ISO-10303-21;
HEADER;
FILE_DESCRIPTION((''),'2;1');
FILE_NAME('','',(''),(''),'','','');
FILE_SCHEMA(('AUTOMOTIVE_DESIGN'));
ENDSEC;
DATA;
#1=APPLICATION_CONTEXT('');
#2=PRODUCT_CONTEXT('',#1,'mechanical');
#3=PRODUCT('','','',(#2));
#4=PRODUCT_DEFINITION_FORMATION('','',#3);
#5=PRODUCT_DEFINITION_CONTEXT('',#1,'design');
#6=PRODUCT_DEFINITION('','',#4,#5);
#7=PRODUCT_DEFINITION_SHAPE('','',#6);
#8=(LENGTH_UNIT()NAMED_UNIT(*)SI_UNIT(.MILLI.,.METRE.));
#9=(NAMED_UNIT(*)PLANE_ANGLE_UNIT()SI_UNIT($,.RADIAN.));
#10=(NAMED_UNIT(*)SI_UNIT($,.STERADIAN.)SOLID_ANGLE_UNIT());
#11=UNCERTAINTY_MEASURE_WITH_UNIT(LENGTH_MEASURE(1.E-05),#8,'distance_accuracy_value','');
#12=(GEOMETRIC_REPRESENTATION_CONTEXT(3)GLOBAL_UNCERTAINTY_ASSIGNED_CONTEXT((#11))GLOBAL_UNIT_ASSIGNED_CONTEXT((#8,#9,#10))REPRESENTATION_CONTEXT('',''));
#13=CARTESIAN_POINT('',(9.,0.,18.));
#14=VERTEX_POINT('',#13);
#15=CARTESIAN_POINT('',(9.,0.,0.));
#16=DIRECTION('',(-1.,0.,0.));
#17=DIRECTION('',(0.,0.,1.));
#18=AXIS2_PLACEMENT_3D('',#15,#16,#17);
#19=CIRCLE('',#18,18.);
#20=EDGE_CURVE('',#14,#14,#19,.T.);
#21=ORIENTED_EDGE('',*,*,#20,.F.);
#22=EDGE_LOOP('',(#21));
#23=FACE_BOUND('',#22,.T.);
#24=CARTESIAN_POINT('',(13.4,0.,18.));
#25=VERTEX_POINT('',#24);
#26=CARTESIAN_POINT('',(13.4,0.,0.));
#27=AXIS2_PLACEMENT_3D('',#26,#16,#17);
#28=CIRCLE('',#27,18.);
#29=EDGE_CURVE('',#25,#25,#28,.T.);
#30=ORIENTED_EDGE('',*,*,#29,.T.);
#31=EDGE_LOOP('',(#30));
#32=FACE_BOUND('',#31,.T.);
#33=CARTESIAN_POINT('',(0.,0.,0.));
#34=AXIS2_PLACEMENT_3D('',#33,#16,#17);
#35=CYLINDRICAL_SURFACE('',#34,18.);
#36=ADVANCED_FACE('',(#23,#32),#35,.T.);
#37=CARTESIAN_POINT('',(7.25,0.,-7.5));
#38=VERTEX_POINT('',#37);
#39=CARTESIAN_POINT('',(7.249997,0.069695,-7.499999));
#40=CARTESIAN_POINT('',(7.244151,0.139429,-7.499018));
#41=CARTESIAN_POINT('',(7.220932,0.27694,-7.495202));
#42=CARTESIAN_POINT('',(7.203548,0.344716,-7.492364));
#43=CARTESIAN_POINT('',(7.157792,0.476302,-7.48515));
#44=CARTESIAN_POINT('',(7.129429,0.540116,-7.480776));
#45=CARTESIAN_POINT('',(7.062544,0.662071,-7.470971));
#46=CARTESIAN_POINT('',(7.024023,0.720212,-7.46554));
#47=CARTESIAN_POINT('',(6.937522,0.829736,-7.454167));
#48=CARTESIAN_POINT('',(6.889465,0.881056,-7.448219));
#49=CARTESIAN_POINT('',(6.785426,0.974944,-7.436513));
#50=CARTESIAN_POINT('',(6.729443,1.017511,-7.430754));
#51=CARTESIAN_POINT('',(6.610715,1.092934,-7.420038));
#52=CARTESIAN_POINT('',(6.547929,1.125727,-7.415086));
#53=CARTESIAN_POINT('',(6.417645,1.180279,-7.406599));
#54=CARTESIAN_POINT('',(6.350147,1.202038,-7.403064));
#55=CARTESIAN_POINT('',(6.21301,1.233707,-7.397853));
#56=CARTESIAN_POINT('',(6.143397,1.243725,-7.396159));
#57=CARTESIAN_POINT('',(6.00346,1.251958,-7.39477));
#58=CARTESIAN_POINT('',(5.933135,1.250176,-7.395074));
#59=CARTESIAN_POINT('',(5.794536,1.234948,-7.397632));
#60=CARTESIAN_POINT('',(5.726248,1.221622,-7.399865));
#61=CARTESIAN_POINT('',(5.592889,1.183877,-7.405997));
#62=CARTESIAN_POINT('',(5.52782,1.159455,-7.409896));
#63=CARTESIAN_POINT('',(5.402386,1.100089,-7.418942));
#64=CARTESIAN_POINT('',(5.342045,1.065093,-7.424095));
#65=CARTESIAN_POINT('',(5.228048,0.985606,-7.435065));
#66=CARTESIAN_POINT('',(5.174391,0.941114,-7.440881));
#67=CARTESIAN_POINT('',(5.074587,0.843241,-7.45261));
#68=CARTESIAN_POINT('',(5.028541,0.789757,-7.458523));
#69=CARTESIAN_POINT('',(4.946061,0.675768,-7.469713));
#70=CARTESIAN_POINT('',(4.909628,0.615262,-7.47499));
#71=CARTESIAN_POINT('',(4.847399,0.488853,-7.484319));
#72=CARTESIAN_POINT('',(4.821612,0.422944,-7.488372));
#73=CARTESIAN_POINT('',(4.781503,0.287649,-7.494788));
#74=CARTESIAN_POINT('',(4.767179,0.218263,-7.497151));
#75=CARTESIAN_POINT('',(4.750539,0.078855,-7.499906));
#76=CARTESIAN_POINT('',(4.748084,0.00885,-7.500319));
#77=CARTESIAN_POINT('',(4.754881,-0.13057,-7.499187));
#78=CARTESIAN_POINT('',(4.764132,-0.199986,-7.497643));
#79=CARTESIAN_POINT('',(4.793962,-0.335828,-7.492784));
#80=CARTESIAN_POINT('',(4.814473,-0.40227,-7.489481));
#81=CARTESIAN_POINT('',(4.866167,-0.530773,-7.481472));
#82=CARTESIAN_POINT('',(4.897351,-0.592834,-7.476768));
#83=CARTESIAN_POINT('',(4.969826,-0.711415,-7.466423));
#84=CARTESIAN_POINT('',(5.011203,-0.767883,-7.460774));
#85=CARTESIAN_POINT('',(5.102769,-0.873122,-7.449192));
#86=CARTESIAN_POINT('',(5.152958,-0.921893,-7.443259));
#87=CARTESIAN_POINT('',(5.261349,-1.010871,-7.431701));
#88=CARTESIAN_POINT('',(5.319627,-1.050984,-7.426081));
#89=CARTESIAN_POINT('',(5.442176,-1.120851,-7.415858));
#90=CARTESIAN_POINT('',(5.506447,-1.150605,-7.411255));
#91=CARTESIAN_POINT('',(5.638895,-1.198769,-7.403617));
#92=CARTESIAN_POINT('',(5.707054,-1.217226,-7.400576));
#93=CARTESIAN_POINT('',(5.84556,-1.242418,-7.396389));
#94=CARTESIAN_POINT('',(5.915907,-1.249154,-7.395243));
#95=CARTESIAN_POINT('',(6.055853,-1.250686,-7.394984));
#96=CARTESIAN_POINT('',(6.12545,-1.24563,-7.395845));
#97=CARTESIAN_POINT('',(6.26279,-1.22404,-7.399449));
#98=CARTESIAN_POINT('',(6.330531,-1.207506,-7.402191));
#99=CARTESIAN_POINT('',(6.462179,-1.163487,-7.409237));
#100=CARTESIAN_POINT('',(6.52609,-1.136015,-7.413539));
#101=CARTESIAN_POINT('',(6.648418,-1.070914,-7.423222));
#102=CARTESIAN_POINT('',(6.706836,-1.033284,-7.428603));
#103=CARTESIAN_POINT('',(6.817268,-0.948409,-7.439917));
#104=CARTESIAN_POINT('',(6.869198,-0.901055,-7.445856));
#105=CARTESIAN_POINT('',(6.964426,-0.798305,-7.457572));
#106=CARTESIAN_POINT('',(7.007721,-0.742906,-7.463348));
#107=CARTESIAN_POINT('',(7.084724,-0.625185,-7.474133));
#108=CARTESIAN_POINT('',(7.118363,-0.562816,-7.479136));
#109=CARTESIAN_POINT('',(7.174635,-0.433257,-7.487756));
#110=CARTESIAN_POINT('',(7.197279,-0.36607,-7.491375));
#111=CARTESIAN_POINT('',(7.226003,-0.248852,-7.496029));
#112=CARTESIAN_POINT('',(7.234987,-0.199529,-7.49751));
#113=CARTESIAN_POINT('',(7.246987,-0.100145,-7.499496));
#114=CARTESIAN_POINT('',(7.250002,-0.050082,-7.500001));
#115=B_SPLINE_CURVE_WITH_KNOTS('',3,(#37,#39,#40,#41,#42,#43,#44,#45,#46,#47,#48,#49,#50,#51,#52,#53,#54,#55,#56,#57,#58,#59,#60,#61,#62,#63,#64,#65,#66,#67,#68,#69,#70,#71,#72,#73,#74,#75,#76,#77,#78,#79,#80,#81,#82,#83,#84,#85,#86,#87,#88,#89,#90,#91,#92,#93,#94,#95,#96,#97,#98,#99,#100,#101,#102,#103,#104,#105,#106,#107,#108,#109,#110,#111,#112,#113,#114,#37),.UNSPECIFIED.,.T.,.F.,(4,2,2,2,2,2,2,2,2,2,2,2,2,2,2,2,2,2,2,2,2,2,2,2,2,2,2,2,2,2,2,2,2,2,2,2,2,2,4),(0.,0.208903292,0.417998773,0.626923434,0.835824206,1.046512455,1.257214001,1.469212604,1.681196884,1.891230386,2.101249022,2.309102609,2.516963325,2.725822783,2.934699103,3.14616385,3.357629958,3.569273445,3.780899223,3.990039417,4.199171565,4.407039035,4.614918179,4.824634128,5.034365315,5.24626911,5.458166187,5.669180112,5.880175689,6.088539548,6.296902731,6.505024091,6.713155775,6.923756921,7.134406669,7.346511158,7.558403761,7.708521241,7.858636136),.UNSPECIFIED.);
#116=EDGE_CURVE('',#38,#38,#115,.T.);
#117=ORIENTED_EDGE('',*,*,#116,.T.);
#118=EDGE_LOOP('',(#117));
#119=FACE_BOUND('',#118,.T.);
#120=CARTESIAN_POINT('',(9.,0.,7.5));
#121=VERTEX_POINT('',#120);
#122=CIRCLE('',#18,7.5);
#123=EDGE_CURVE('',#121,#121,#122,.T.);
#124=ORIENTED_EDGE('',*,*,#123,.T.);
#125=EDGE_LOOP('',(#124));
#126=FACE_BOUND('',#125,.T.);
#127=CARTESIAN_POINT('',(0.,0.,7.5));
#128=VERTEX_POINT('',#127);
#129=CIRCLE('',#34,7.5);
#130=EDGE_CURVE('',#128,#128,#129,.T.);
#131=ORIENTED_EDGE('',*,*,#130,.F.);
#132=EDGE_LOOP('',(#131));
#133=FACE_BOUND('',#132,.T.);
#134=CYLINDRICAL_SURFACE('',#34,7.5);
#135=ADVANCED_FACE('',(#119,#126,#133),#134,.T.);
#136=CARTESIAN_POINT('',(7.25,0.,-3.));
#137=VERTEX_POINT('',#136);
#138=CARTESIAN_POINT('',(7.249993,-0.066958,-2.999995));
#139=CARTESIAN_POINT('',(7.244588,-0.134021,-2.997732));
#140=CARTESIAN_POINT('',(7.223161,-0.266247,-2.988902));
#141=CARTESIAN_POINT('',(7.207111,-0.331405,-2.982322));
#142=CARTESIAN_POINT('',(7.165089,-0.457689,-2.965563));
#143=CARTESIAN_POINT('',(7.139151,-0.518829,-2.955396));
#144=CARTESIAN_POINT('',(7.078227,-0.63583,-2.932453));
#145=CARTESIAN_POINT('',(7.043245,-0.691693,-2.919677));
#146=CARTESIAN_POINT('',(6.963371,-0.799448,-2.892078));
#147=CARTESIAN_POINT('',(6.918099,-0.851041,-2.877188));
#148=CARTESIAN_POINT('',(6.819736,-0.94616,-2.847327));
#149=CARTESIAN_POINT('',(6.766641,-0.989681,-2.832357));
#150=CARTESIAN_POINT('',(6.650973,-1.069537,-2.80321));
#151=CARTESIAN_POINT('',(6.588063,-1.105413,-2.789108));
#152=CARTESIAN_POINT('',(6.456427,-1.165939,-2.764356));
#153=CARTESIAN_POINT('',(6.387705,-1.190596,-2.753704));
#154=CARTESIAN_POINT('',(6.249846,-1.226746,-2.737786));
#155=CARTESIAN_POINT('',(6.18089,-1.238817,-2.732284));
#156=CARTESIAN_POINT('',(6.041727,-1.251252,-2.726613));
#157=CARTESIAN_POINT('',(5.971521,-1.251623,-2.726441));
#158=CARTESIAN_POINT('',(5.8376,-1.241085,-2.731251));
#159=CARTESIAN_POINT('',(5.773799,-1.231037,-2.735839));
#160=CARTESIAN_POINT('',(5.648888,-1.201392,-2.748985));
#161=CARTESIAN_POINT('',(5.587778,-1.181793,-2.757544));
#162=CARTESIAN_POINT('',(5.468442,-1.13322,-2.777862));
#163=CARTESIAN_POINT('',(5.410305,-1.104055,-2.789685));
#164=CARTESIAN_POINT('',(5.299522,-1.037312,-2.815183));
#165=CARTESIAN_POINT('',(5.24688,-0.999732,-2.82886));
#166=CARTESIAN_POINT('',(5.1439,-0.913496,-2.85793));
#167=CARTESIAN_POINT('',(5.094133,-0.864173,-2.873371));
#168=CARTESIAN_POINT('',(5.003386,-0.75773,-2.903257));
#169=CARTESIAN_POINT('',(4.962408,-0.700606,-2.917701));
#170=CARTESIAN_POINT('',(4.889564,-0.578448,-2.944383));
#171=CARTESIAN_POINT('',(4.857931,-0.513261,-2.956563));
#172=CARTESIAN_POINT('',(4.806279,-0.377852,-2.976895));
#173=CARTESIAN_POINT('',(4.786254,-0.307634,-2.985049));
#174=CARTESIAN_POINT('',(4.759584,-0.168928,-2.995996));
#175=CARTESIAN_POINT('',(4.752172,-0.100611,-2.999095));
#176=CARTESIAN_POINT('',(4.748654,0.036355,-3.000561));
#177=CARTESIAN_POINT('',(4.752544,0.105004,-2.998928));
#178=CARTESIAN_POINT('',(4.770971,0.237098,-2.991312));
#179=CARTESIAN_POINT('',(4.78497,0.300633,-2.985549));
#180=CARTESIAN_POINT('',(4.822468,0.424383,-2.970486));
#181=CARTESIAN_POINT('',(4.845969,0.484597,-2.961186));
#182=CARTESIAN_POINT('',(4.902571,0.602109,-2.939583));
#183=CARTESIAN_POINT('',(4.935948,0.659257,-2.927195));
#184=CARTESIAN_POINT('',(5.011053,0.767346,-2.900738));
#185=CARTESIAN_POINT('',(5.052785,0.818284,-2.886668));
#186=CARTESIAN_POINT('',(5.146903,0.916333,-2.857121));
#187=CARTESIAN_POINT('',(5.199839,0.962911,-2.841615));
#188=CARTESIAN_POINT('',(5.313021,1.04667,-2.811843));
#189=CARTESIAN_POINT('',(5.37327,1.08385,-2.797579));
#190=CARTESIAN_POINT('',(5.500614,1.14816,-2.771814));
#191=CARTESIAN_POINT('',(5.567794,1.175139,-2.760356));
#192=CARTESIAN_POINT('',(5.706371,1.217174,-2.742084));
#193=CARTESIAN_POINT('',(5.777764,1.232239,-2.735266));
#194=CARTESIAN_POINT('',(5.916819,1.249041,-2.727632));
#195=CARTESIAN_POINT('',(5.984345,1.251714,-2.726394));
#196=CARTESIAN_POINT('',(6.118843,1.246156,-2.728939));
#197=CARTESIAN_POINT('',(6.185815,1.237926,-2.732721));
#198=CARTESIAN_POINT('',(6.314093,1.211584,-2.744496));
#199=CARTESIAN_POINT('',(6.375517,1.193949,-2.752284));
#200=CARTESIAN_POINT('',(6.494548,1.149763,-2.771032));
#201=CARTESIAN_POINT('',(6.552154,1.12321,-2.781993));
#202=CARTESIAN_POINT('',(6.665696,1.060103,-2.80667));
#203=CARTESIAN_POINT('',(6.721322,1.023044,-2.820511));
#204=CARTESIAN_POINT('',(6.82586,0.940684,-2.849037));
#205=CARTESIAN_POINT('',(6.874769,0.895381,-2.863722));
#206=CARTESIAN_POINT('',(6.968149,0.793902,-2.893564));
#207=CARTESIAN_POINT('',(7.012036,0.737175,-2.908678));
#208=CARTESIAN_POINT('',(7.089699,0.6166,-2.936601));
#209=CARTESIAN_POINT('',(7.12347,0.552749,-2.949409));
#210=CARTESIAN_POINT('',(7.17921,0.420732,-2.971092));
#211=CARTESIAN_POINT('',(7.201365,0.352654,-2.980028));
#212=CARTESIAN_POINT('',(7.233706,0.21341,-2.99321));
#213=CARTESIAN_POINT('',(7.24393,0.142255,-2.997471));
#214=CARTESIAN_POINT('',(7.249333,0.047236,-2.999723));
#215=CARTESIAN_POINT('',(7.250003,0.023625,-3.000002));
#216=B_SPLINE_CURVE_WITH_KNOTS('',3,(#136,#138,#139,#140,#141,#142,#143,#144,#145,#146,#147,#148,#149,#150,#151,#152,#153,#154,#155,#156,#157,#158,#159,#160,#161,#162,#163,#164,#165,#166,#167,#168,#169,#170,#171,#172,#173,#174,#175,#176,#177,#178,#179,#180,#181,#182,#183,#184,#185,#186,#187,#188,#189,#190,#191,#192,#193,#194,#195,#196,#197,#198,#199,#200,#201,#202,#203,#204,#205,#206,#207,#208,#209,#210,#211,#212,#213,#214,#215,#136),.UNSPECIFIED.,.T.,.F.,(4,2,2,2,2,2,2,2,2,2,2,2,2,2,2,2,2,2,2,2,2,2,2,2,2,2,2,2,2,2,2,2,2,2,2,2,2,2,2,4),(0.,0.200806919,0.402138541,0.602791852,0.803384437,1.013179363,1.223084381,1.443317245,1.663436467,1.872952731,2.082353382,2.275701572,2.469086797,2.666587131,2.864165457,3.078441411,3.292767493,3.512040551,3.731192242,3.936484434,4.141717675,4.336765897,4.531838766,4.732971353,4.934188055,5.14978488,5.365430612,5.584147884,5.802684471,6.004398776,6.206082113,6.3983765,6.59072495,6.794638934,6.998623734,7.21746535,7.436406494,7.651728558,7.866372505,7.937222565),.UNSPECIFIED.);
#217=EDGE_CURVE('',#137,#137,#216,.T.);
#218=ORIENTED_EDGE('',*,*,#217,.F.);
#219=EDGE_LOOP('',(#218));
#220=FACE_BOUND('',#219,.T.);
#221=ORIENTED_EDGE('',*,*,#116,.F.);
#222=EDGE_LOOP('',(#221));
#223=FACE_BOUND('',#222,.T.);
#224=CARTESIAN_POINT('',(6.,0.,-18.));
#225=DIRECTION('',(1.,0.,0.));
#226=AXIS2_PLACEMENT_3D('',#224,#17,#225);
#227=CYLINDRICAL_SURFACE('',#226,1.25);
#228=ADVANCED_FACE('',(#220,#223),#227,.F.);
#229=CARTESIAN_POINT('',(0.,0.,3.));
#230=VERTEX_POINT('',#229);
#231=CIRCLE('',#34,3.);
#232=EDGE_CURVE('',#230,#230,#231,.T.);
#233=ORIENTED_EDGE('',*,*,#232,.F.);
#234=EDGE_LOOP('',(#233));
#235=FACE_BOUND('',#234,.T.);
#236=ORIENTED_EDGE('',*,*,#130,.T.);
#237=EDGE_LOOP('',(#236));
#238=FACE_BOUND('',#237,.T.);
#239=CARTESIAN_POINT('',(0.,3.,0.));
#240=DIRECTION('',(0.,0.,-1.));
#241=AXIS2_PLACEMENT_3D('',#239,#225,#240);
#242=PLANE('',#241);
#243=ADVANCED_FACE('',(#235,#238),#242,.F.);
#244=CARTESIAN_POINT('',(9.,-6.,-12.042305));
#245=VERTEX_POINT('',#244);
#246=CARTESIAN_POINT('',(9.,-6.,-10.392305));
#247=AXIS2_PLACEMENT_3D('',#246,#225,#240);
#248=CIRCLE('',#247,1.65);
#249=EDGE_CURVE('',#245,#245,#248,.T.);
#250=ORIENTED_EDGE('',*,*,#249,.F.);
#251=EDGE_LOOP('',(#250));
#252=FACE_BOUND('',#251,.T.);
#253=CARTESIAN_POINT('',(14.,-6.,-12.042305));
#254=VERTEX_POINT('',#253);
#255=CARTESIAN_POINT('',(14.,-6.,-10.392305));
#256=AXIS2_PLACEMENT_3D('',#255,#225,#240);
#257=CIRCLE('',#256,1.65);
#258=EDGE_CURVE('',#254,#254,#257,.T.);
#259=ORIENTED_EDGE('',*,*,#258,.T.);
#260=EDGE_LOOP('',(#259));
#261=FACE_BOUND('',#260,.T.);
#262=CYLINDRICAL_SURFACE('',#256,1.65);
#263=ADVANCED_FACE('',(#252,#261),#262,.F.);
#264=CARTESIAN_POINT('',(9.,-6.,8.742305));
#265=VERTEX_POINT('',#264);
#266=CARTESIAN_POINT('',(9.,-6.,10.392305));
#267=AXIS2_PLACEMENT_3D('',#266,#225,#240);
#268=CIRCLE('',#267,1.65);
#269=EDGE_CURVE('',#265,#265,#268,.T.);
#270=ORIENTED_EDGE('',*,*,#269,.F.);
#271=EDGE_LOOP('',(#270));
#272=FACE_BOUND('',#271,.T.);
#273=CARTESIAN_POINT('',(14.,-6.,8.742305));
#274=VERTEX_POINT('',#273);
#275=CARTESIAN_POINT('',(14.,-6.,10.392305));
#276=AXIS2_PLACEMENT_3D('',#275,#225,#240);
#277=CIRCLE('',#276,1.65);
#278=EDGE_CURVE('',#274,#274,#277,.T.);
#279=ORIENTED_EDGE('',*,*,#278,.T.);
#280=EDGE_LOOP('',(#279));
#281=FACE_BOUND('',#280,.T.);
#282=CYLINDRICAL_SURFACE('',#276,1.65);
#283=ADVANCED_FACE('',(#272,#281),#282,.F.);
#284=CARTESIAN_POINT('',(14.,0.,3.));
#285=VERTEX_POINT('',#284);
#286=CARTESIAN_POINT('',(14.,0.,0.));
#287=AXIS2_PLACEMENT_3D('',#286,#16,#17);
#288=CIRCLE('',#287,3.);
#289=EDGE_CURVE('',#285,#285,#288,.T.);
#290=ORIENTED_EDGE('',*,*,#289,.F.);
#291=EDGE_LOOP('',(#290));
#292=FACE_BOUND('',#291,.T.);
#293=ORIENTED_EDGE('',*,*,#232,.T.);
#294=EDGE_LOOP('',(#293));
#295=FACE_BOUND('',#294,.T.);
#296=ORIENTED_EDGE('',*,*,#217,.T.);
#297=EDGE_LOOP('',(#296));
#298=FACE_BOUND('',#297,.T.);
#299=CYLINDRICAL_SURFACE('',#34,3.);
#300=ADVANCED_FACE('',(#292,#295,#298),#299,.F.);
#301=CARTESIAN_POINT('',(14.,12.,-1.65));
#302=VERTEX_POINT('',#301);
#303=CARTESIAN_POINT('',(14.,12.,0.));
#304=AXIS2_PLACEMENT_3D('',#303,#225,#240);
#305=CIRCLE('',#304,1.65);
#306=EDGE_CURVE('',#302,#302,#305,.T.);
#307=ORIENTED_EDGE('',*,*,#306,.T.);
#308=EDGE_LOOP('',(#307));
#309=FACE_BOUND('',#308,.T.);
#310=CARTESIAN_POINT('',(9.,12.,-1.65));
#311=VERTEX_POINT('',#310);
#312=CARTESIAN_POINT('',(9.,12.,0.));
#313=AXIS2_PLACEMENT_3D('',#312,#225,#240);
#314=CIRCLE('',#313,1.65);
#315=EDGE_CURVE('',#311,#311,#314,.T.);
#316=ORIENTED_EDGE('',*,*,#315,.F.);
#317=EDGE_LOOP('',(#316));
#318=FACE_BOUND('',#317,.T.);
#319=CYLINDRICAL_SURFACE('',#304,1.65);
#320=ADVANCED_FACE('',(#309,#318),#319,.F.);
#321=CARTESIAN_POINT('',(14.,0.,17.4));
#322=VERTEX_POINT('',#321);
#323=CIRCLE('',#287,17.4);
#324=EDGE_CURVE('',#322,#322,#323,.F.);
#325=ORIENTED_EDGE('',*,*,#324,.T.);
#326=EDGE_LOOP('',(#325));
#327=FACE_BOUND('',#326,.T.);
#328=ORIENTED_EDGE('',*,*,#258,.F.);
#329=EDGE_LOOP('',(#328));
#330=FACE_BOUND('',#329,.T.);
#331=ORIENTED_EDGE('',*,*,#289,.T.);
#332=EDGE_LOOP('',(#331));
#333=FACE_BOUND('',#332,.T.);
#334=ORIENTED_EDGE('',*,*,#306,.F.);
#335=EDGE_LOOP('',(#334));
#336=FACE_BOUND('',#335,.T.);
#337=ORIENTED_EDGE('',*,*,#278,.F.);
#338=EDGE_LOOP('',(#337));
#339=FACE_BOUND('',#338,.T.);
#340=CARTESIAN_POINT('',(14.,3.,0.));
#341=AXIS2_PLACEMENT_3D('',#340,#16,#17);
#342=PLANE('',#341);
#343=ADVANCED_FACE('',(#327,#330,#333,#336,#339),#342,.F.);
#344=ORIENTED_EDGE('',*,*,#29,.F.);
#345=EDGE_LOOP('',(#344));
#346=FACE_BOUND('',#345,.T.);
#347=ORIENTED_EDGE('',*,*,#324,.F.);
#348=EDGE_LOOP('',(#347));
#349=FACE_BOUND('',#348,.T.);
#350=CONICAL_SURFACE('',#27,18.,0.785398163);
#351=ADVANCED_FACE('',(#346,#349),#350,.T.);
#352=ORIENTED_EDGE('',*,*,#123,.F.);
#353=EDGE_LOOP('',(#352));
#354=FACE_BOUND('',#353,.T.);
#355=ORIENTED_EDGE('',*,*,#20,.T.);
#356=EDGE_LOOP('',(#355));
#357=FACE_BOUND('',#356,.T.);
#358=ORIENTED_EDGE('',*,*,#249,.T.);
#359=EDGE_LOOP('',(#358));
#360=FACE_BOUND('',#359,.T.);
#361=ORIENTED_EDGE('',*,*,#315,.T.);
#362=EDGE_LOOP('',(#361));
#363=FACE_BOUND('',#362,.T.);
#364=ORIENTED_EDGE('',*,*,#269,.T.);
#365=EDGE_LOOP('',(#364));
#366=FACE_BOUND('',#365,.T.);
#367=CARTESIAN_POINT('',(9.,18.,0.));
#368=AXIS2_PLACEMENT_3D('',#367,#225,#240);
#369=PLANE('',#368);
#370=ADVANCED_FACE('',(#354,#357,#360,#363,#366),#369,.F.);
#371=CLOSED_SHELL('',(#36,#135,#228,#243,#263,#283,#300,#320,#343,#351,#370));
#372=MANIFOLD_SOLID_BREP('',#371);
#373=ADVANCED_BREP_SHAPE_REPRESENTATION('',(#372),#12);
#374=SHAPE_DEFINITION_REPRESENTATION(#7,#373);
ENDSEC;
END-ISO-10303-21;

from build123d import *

# Parameters (mm, degrees)
ESQUISSE2_R                  = 1.25
ENL_V_MAT_EXTRU_1_DEPTH      = 30.051678093
TROU_TARAUD_M41_D            = 3.3
R_P_TITION_CIRCULAIRE1_COUNT = 3
CHANFREIN1_SIZE              = 0.6


with BuildPart() as part:
    # Esquisse1 → Révolution1 (revolve)
    with BuildSketch(Plane.XY, mode=Mode.PRIVATE) as r_volution1_sk:
        Polygon((0, 3), (14, 3), (14, 18), (9, 18), (9, 7.5), (0, 7.5), align=None)
    revolve(r_volution1_sk.sketch.rotate(Axis((0, 0, 0), (1, 0, 0)), 90), axis=Axis((0, 0, 0), (1, 0, 0)))

    # Esquisse2 → Enlèv. mat.-Extru.1 (cut, through all)
    with BuildSketch(Plane.XY):
        with Locations((6, 0)):
            Circle(ESQUISSE2_R)
    extrude(amount=-ENL_V_MAT_EXTRU_1_DEPTH, mode=Mode.SUBTRACT)

    # Trou taraudé M41 (through all)
    with Locations(Plane(origin=(14, 0, 0), x_dir=(0, 0, -1), z_dir=(1, 0, 0))):
        with Locations((0, 12)):
            trou_taraud_m41 = Hole(TROU_TARAUD_M41_D / 2)

    # Répétition circulaire1: Trou taraudé M41 ×3 about axis
    r_p_tition_circulaire1_axis = Axis((0, 0, 0), (1, 0, 0))
    for i in range(1, R_P_TITION_CIRCULAIRE1_COUNT):
        add(trou_taraud_m41.rotate(r_p_tition_circulaire1_axis, i * 360 / R_P_TITION_CIRCULAIRE1_COUNT), mode=Mode.SUBTRACT)

    # Chanfrein1
    chanfrein1_edges = [part.edges().sort_by_distance(p)[0] for p in [
        (14, 0, -18),
    ]]
    chamfer(chanfrein1_edges, length=CHANFREIN1_SIZE)


solid = part.part
